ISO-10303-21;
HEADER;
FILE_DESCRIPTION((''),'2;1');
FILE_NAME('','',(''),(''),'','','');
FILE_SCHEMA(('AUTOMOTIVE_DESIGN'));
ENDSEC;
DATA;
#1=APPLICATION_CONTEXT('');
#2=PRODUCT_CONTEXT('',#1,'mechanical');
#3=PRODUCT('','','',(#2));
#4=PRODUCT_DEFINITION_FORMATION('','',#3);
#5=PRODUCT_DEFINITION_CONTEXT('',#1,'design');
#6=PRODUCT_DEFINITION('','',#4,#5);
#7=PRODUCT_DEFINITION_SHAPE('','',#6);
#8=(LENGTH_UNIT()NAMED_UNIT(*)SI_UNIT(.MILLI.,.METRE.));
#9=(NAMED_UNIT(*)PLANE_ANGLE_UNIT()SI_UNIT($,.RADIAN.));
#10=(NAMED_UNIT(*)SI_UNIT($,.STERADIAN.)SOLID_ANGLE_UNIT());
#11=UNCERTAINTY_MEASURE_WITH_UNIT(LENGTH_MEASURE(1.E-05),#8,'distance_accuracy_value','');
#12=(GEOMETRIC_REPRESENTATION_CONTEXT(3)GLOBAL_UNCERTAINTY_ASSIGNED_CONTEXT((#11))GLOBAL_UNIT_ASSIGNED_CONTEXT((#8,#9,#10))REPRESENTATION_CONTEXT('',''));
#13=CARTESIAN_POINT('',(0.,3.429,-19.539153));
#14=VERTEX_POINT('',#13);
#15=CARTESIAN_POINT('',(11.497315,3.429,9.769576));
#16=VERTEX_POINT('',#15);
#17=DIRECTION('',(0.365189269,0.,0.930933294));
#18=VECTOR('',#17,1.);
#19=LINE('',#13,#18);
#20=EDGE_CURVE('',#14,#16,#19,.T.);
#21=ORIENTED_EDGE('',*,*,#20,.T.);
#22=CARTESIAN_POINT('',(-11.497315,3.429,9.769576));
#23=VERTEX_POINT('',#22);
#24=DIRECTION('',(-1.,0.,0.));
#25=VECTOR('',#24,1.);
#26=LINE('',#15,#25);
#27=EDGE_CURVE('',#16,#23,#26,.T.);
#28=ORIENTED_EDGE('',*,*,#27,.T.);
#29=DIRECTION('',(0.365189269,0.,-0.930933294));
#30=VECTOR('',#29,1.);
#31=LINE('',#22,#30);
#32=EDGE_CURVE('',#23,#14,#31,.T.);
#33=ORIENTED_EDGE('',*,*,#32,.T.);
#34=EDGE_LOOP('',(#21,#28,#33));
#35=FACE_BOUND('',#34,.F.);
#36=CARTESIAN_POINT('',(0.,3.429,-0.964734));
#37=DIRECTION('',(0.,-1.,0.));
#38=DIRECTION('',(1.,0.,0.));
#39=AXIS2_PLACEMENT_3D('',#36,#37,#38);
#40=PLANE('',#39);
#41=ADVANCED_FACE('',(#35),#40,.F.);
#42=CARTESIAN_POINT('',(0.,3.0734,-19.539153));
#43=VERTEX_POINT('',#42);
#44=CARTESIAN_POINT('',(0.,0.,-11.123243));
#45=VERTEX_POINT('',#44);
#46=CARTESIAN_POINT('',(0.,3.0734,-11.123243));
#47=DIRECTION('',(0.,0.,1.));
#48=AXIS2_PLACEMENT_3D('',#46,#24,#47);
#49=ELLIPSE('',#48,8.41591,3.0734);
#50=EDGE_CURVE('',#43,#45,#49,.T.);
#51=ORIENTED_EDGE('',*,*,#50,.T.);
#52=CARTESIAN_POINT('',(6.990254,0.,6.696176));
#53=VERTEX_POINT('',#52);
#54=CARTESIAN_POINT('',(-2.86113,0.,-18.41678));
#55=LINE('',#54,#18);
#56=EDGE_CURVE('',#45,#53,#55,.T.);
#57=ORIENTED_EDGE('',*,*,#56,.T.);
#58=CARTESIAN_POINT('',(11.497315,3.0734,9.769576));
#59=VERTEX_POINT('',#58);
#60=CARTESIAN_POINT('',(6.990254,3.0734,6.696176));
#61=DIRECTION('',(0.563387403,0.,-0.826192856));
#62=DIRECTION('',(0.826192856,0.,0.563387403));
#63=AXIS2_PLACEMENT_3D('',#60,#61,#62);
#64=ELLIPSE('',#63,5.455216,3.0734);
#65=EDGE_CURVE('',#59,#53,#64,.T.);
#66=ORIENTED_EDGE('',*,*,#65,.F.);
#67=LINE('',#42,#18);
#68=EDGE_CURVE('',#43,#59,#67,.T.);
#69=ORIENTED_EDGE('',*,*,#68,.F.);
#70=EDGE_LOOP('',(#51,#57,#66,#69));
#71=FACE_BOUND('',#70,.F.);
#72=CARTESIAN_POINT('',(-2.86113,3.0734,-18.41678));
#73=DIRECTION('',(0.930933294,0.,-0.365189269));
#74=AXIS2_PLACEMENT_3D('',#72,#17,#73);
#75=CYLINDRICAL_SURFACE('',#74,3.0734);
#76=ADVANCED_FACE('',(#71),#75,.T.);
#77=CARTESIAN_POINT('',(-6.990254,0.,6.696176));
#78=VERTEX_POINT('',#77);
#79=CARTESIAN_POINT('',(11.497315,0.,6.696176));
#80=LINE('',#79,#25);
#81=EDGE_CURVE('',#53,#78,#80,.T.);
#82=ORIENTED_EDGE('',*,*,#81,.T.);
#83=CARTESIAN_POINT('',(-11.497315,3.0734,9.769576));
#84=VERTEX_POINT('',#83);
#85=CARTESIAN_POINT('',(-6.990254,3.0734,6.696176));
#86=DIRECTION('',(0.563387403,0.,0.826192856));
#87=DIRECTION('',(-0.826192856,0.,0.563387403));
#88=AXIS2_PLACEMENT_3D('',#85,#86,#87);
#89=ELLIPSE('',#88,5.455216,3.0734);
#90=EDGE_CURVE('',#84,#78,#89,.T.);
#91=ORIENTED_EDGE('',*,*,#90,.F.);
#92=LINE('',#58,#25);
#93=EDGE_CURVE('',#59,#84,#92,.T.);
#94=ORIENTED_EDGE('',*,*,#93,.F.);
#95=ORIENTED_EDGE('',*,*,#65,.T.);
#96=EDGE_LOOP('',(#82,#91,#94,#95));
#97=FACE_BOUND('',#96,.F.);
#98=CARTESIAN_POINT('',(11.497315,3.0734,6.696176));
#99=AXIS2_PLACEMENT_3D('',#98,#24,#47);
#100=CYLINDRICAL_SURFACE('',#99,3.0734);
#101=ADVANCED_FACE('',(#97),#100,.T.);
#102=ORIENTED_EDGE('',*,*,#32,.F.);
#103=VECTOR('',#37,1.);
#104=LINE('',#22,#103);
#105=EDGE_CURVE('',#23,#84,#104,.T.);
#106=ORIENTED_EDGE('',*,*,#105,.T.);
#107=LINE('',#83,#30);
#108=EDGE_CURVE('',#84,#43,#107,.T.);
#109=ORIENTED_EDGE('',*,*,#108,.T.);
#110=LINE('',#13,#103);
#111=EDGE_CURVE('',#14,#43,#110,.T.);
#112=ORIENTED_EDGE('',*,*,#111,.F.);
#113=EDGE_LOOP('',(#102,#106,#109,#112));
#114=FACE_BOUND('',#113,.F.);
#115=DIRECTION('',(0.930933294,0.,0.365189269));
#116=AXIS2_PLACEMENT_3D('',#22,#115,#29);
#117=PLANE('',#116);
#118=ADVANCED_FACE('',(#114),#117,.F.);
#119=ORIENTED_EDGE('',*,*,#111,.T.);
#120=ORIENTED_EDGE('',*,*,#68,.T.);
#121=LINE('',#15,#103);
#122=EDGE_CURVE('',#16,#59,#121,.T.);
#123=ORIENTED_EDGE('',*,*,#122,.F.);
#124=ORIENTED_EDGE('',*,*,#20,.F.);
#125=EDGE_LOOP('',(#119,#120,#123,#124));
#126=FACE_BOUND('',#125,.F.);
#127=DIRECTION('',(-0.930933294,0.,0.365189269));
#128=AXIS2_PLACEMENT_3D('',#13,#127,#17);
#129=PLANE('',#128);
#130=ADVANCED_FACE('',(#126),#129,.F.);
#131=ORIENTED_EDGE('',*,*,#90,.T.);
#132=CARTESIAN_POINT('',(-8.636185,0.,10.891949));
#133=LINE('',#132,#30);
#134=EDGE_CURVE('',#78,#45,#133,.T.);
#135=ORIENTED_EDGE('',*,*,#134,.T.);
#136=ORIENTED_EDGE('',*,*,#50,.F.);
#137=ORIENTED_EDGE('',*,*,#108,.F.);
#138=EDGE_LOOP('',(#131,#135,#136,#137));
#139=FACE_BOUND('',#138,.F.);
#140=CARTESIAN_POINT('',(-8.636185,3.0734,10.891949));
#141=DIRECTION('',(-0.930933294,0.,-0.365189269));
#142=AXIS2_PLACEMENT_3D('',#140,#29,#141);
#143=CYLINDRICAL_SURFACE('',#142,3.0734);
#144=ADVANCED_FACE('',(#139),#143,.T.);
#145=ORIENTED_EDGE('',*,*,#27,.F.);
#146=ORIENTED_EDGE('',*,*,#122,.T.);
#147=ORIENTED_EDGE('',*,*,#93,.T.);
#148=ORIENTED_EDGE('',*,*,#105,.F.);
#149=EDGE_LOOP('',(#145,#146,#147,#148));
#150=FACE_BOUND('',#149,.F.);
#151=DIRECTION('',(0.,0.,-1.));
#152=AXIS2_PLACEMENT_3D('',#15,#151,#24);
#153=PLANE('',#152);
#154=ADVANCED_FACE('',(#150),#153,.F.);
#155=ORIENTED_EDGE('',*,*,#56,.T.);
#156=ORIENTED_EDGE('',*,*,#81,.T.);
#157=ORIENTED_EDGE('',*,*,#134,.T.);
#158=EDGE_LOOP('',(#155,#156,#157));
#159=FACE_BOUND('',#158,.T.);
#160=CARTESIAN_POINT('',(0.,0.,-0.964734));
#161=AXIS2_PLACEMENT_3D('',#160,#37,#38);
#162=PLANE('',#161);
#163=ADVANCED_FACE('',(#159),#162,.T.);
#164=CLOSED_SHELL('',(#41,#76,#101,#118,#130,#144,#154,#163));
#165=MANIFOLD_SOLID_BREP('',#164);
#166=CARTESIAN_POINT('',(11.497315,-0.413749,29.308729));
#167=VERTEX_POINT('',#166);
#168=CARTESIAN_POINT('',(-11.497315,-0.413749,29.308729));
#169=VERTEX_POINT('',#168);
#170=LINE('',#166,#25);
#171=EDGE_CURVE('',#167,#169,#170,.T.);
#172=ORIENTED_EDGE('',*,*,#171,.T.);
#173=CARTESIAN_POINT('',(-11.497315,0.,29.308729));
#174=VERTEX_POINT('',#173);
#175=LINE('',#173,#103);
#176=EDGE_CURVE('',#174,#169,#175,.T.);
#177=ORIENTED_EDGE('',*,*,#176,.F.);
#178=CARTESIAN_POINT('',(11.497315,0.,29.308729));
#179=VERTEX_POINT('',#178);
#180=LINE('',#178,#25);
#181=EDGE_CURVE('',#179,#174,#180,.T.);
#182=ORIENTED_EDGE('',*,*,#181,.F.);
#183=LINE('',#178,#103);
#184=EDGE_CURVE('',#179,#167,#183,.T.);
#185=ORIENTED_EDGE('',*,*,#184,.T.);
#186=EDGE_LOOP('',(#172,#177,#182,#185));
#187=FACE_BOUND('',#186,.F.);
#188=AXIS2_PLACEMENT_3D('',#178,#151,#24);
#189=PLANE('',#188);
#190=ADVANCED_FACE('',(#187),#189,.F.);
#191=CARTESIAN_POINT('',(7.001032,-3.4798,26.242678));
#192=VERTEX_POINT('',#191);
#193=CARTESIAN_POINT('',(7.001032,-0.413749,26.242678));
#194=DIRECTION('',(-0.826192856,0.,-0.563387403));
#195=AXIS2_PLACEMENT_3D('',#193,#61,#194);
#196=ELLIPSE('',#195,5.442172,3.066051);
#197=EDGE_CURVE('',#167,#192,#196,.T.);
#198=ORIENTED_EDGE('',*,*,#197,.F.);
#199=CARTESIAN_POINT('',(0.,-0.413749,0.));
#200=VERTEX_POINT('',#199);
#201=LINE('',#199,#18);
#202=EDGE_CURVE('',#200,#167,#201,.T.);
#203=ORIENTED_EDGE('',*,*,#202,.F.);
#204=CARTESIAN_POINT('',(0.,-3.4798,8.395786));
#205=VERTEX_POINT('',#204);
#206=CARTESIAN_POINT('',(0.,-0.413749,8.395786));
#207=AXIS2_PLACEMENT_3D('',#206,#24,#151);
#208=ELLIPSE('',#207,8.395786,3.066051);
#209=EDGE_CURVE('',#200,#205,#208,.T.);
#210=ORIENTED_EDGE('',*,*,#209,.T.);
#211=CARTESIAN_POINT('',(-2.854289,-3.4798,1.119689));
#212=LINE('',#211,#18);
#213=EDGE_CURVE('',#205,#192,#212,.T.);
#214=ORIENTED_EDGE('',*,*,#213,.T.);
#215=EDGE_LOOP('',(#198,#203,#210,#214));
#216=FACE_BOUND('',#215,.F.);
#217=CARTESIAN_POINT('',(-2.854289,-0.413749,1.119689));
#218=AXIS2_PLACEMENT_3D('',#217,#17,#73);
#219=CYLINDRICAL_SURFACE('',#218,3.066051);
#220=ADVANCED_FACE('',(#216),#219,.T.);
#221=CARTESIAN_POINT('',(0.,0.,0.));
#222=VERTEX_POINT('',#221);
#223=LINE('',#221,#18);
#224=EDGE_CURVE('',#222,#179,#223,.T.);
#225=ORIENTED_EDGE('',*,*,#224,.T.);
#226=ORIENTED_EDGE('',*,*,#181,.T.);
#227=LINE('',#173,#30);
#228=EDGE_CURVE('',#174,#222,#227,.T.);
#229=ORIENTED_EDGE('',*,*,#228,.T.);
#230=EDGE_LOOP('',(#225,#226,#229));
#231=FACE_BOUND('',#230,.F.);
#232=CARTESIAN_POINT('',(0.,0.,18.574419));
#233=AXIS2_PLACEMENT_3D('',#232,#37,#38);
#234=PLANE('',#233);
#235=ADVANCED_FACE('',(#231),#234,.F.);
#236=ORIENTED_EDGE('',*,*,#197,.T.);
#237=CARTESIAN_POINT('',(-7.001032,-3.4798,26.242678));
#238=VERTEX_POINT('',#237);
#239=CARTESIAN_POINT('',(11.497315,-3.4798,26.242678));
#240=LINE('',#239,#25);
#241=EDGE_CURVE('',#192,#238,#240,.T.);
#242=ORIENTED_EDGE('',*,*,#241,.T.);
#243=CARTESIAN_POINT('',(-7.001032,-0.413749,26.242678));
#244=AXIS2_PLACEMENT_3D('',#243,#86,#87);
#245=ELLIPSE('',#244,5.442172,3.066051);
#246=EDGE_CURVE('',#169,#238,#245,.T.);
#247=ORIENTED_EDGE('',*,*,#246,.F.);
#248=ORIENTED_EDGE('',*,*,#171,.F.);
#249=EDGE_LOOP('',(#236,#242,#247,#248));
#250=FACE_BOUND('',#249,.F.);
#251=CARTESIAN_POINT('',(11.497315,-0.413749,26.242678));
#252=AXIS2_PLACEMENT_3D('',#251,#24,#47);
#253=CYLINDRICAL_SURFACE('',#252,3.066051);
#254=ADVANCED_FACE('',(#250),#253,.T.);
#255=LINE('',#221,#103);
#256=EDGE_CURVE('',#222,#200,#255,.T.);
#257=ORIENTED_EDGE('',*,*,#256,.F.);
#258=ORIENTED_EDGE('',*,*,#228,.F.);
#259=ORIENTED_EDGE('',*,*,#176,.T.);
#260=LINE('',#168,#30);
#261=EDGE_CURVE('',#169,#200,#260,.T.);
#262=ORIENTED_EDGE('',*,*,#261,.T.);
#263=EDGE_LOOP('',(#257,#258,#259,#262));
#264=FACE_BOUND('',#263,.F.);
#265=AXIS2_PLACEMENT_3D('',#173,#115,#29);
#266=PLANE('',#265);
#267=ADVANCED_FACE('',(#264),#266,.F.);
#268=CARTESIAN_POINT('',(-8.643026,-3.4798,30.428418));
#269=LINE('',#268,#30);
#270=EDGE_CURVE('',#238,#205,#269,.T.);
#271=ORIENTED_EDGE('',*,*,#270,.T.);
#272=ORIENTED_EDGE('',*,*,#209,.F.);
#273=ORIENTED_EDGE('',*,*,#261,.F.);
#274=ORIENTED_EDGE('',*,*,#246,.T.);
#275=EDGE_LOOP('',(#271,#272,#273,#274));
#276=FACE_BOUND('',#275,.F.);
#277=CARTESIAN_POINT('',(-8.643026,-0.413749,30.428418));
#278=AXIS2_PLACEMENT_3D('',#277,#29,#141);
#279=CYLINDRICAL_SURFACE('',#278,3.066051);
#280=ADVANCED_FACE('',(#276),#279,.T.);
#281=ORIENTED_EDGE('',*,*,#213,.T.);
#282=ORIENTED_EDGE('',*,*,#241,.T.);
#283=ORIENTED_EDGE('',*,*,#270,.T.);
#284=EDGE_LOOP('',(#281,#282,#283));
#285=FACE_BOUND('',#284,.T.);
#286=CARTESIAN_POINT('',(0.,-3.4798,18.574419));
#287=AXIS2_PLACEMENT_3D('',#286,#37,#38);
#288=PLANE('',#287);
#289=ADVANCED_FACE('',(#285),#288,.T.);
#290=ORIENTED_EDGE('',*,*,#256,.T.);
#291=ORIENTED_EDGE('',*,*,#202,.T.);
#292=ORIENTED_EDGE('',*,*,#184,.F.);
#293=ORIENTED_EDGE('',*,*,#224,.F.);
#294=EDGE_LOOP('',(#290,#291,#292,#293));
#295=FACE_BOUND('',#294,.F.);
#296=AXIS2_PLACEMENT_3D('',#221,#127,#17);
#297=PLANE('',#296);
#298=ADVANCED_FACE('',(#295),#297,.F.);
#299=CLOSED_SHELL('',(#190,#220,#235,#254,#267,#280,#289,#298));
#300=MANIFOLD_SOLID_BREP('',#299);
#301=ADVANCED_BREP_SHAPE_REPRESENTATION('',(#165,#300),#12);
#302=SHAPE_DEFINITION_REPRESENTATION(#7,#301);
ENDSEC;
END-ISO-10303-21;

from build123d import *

# Parameters (mm, degrees)
F1_DEPTH = 3.4798
F2_R     = 3.066051
F5_DEPTH = 3.429
F6_R     = 3.0734


with BuildPart() as f1:
    # F0 (on Front) → F1 (new body)
    with BuildSketch(Plane.XZ):
        Polygon((11.497315, 29.308729), (-11.497315, 29.308729), (0, 0), align=None)
    extrude(amount=F1_DEPTH)

    # F2
    f2_edges = [f1.edges().sort_by_distance(p)[0] for p in [
        (0, -3.4798, 29.308729),
        (-5.748658, -3.4798, 14.654364),
        (5.748658, -3.4798, 14.654364),
    ]]
    fillet(f2_edges, radius=F2_R)


with BuildPart() as f5:
    # F4 (on offset) → F5 (new body)
    with BuildSketch(Plane.XZ.offset(-3.429)):
        Polygon((11.497315, 9.769576), (-11.497315, 9.769576), (0, -19.539153), align=None)
    extrude(amount=F5_DEPTH)

    # F6
    f6_edges = [f5.edges().sort_by_distance(p)[0] for p in [
        (5.748658, 0, -4.884788),
        (0, 0, 9.769576),
        (-5.748658, 0, -4.884788),
    ]]
    fillet(f6_edges, radius=F6_R)


solid = Compound([f1.part, f5.part])
